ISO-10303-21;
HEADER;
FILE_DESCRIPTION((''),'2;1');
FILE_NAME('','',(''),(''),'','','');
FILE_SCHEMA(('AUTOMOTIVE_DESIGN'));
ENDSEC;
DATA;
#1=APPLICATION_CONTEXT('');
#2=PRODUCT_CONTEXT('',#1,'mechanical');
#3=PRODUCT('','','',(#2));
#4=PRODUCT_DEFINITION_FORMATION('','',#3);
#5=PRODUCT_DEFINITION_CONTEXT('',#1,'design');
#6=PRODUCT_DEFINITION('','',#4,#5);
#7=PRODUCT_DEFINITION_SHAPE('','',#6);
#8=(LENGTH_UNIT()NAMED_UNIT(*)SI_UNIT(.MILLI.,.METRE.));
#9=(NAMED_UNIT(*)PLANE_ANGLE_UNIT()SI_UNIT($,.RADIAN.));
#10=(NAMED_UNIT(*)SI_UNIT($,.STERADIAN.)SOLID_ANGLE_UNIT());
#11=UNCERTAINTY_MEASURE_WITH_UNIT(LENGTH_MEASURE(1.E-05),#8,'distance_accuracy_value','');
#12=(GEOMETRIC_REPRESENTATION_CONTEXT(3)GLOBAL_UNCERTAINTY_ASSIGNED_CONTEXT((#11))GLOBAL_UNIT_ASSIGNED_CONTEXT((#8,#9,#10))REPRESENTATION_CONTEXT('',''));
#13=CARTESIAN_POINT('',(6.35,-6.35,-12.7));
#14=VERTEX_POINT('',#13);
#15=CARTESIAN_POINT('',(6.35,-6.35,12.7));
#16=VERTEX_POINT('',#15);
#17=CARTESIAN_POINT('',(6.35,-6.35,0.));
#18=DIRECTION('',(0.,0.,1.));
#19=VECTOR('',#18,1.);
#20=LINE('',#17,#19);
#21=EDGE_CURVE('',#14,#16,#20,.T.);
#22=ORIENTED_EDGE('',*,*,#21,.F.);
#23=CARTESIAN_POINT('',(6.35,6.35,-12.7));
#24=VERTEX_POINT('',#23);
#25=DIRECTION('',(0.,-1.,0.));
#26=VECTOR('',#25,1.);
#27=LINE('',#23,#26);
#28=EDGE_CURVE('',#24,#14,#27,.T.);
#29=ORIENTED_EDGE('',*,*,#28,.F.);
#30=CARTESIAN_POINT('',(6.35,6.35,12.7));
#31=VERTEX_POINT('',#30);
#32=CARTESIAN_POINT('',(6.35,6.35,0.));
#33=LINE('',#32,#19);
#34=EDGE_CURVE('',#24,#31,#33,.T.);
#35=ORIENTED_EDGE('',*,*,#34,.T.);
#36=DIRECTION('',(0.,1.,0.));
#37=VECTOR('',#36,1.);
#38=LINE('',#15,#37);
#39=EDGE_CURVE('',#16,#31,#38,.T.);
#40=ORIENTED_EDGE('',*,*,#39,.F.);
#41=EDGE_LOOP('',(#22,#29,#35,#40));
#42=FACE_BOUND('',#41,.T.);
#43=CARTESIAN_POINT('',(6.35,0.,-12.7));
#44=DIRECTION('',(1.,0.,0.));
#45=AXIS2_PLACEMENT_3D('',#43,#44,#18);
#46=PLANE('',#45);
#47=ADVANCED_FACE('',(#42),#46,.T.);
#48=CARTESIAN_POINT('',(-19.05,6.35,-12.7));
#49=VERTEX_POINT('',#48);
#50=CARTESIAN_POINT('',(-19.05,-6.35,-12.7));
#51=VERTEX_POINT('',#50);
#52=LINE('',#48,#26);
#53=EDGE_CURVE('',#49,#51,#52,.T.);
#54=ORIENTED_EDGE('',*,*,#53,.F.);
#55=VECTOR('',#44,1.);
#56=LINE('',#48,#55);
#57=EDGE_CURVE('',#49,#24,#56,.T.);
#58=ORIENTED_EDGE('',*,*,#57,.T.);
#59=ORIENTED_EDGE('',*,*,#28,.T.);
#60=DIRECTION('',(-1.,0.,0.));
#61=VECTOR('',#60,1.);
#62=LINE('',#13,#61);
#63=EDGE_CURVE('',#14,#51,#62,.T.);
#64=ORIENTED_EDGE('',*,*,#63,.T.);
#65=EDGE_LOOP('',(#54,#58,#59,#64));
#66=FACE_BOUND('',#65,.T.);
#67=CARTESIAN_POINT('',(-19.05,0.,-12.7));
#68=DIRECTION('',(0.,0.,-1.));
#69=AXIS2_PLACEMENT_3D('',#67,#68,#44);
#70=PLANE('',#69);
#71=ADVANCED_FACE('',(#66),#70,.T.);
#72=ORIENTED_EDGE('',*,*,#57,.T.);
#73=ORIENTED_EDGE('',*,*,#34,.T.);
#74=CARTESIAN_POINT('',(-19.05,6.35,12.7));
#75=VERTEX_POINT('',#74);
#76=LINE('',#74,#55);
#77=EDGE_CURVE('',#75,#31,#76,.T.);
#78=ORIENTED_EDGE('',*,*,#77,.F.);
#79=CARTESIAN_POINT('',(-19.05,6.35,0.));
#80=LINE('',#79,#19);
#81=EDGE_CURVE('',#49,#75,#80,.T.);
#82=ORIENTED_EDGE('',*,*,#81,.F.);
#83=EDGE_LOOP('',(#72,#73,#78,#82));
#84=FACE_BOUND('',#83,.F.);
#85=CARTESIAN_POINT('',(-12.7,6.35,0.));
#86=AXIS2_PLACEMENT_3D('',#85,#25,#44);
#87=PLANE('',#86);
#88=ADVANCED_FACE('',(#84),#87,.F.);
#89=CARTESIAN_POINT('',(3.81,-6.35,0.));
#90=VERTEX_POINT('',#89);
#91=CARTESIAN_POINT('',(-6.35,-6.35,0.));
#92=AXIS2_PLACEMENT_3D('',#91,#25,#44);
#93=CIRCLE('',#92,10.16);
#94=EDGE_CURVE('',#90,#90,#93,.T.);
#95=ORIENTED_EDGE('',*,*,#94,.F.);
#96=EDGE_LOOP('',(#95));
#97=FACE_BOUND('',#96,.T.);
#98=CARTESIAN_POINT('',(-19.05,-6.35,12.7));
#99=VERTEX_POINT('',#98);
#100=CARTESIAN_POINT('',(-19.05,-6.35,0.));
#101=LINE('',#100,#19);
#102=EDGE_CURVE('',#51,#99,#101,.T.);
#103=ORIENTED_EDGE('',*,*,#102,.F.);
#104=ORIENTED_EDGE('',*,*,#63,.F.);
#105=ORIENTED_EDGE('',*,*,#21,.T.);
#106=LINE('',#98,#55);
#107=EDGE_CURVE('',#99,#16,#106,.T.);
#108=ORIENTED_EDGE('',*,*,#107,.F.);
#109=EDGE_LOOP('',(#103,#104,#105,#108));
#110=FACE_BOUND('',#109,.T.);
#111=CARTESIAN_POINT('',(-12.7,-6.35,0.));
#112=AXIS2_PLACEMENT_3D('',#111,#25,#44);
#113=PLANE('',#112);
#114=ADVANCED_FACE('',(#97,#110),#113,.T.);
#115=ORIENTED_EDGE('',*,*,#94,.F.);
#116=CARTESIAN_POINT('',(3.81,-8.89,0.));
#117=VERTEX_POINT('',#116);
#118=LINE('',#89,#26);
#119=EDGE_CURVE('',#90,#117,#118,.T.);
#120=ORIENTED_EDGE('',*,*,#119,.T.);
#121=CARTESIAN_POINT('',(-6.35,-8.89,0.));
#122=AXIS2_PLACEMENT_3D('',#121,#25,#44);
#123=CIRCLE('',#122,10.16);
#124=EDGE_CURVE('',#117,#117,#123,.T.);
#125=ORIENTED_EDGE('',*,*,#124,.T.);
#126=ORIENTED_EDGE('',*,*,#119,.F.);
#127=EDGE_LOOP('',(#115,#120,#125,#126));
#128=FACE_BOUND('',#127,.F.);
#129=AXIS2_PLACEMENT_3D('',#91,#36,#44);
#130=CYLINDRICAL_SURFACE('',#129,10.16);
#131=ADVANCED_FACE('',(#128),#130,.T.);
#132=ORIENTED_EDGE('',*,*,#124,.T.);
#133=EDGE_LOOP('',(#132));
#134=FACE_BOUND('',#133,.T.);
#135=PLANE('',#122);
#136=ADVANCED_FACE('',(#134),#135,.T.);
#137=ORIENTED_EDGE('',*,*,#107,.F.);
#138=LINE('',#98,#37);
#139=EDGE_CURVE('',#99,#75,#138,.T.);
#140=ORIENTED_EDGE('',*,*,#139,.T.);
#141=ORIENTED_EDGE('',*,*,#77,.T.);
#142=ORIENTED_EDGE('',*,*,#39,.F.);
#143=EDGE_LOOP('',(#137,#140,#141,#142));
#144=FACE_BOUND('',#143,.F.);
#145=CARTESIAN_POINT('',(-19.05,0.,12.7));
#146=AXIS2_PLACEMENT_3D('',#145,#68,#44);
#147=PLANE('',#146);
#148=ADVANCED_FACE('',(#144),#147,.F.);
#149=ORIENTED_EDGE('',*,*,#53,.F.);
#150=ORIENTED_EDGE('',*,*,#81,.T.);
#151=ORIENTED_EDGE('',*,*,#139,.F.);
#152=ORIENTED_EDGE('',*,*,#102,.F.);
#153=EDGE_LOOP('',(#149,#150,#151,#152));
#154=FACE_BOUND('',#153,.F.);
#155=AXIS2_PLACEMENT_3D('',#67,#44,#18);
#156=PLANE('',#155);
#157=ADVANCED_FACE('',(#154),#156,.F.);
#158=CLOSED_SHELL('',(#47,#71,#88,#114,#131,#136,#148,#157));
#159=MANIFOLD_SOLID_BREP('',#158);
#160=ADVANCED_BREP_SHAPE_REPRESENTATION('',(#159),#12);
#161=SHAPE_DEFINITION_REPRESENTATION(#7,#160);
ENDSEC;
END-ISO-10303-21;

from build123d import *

# Parameters (mm, degrees)
F0_W     = 12.7
F0_H     = 25.4
F1_DEPTH = 6.35
F2_DEPTH = 6.35
F3_R     = 10.16
F4_DEPTH = 2.54


with BuildPart() as f1:
    # F0 (on Front) → F1 (new body, symmetric)
    with BuildSketch(Plane.XZ):
        Rectangle(F0_W, F0_H)
    extrude(amount=F1_DEPTH, both=True)

    # F0 (on Front) → F2 (join, symmetric)
    with BuildSketch(Plane.XZ):
        with Locations((-12.7, 0)):
            Rectangle(F0_W, F0_H)
    extrude(amount=F2_DEPTH, both=True)

    # F3 (on face) → F4 (join)
    with BuildSketch(Plane.XZ.offset(6.35)):
        with Locations((-6.35, 0)):
            Circle(F3_R)
    extrude(amount=F4_DEPTH)


solid = f1.part
